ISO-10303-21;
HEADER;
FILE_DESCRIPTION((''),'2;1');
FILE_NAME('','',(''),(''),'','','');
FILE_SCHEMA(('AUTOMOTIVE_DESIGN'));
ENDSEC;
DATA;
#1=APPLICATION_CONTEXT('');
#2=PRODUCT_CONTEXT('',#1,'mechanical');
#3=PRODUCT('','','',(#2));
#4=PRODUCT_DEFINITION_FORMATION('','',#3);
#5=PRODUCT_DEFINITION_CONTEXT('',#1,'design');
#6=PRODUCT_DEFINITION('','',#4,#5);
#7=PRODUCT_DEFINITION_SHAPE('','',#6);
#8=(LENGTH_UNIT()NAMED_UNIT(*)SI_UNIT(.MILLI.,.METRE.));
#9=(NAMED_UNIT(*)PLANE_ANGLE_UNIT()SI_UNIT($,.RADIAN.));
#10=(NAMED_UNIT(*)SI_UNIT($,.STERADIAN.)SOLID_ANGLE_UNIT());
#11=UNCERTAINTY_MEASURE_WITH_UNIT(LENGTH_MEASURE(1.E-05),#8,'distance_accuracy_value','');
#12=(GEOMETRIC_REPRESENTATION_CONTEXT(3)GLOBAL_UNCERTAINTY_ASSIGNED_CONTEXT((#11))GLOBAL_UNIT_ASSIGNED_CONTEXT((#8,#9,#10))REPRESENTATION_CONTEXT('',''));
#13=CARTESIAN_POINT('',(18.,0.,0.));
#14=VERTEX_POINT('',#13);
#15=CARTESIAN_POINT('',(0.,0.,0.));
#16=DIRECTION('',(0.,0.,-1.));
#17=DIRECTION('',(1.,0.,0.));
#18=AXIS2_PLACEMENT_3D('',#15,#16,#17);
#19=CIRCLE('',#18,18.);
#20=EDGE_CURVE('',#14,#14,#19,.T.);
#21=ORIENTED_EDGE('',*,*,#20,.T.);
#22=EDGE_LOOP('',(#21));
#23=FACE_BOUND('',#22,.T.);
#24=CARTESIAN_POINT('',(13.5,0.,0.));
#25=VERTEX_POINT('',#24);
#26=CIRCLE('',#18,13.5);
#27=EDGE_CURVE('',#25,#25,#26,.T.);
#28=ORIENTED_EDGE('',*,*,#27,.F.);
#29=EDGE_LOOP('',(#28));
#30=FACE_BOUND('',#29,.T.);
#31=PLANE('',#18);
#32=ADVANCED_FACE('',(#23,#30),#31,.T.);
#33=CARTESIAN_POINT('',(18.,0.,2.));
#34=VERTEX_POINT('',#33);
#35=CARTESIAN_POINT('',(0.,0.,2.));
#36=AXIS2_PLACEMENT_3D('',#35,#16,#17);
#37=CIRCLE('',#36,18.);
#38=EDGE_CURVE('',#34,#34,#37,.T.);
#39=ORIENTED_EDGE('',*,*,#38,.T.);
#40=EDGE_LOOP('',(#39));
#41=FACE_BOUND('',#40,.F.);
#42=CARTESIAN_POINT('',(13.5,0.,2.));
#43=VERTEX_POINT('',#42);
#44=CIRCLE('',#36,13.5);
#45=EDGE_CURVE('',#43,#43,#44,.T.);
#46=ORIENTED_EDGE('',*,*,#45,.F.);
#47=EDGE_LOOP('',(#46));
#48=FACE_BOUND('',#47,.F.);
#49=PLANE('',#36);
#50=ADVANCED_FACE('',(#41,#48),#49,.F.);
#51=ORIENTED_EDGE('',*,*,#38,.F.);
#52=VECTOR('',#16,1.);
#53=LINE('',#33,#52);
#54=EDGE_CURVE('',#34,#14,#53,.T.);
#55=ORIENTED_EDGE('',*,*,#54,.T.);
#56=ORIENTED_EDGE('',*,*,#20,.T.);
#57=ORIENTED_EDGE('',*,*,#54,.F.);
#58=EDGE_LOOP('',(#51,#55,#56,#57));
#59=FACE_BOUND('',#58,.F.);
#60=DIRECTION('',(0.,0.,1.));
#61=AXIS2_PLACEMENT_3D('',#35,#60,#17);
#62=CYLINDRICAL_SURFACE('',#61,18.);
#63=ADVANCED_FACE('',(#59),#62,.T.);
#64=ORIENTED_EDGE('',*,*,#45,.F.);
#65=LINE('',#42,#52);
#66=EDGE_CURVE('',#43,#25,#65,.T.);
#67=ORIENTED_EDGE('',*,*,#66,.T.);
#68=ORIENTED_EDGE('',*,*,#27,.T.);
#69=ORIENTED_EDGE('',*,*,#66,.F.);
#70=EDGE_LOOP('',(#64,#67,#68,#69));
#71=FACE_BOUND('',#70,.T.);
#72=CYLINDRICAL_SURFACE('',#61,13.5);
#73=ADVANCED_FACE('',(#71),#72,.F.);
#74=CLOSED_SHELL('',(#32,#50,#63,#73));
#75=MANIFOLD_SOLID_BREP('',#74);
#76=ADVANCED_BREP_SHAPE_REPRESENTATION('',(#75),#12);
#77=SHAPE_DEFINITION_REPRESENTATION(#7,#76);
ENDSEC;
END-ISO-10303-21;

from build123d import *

# Parameters (mm, degrees)
CYLINDER002_R       = 13.5
CYLINDER002_DEPTH   = 2
CYLINDER001_R       = 18
CYLINDER001_DEPTH   = 2
CUT_PLACEMENT_ANGLE = 180


with BuildPart() as cylinder002:
    # Cylinder002 → Cylinder002 (new body)
    with BuildSketch(Plane.XY):
        Circle(CYLINDER002_R)
    extrude(amount=CYLINDER002_DEPTH)


with BuildPart() as base:
    # Cylinder001 → Cylinder001 (new body)
    with BuildSketch(Plane.XY):
        Circle(CYLINDER001_R)
    extrude(amount=CYLINDER001_DEPTH)

    # Cut: cut Cylinder002
    add(cylinder002.part, mode=Mode.SUBTRACT)


with BuildPart() as base_1:
    # Cut placement: moved
    add(base.part.moved(Location((0, 0, 2))).rotate(Axis((0, 0, 2), (1, 0, 0)), CUT_PLACEMENT_ANGLE))


solid = base_1.part
